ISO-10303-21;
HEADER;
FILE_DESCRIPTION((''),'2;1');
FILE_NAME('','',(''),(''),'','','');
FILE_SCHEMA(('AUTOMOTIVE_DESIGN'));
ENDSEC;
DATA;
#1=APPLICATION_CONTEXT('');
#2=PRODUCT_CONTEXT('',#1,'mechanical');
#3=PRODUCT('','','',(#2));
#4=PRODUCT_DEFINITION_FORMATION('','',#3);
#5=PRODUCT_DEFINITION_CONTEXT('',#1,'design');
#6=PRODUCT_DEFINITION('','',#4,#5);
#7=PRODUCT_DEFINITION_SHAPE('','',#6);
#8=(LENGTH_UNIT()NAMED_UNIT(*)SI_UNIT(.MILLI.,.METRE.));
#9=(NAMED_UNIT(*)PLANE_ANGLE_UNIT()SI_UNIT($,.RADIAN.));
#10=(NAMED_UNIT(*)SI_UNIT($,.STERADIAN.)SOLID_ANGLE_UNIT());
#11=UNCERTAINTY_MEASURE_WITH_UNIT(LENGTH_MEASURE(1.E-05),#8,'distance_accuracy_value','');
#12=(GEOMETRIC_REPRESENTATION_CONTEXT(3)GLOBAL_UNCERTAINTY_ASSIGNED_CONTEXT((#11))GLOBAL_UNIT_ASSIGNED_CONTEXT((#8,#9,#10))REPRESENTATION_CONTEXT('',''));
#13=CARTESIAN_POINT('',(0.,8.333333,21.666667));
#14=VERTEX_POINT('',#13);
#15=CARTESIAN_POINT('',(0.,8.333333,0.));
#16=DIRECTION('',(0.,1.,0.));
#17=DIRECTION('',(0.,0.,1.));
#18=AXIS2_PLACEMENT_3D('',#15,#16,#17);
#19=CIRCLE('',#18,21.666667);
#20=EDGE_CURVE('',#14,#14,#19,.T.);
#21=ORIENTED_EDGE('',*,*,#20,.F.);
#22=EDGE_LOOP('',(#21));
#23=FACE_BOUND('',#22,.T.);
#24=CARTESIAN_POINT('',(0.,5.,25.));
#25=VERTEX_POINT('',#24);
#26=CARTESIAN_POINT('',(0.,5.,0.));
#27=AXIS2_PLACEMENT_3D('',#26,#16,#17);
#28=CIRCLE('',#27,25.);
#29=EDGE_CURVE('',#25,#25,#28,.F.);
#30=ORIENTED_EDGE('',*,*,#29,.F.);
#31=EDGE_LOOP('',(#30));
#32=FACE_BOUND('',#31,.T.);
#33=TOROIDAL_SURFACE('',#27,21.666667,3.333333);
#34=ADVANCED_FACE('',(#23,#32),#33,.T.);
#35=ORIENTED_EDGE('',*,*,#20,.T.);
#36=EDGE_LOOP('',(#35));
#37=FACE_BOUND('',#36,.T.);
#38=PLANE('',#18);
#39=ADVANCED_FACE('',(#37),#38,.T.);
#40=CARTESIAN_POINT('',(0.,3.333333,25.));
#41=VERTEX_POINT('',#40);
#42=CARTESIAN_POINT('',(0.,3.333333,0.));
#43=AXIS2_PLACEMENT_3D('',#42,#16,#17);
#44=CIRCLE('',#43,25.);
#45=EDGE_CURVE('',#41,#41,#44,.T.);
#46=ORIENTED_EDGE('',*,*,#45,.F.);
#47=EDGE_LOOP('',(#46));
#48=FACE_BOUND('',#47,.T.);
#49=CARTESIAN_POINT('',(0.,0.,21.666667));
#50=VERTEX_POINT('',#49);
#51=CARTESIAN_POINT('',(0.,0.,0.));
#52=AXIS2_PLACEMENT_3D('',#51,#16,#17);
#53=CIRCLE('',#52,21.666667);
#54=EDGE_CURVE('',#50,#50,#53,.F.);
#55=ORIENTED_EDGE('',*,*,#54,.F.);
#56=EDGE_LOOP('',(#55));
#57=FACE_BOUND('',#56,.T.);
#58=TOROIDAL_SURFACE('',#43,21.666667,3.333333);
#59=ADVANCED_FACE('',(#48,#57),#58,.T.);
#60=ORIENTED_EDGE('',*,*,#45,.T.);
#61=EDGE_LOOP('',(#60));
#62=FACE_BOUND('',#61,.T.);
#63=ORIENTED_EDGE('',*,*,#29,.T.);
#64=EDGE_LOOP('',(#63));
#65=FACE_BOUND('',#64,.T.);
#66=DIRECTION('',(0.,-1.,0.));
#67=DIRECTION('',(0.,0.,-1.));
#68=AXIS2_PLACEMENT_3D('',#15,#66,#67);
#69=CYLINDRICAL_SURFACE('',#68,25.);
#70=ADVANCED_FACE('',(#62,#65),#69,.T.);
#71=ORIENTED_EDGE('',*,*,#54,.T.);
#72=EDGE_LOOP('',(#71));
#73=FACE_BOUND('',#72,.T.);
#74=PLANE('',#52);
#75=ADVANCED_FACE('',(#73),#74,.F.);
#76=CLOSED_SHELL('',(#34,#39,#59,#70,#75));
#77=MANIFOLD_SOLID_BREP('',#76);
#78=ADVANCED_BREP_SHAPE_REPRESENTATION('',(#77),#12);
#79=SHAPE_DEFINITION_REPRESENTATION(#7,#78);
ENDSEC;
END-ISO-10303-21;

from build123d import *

# Parameters (mm, degrees)
SKETCH2_R           = 75
BOSS_EXTRUDE1_DEPTH = 25
FILLET1_R           = 10
SCALE1_SCALE        = 0.333333333


with BuildPart() as part:
    # Sketch2 → Boss-Extrude1 (new body)
    with BuildSketch(Plane(origin=(0, 0, 0), x_dir=(1, 0, 0), z_dir=(0, 1, 0))):
        with Locations(Location((0, 0, 0), (0, 0, 270))):
            Circle(SKETCH2_R)
    extrude(amount=BOSS_EXTRUDE1_DEPTH)

    # Fillet1
    fillet1_edges = [part.edges().sort_by_distance(p)[0] for p in [
        (0, 0, -75),
        (0, 25, -75),
    ]]
    fillet(fillet1_edges, radius=FILLET1_R)


with BuildPart() as part_1:
    # Scale1: scaled about (0, 0, 0)
    add(part.part.scale(SCALE1_SCALE))


solid = part_1.part
